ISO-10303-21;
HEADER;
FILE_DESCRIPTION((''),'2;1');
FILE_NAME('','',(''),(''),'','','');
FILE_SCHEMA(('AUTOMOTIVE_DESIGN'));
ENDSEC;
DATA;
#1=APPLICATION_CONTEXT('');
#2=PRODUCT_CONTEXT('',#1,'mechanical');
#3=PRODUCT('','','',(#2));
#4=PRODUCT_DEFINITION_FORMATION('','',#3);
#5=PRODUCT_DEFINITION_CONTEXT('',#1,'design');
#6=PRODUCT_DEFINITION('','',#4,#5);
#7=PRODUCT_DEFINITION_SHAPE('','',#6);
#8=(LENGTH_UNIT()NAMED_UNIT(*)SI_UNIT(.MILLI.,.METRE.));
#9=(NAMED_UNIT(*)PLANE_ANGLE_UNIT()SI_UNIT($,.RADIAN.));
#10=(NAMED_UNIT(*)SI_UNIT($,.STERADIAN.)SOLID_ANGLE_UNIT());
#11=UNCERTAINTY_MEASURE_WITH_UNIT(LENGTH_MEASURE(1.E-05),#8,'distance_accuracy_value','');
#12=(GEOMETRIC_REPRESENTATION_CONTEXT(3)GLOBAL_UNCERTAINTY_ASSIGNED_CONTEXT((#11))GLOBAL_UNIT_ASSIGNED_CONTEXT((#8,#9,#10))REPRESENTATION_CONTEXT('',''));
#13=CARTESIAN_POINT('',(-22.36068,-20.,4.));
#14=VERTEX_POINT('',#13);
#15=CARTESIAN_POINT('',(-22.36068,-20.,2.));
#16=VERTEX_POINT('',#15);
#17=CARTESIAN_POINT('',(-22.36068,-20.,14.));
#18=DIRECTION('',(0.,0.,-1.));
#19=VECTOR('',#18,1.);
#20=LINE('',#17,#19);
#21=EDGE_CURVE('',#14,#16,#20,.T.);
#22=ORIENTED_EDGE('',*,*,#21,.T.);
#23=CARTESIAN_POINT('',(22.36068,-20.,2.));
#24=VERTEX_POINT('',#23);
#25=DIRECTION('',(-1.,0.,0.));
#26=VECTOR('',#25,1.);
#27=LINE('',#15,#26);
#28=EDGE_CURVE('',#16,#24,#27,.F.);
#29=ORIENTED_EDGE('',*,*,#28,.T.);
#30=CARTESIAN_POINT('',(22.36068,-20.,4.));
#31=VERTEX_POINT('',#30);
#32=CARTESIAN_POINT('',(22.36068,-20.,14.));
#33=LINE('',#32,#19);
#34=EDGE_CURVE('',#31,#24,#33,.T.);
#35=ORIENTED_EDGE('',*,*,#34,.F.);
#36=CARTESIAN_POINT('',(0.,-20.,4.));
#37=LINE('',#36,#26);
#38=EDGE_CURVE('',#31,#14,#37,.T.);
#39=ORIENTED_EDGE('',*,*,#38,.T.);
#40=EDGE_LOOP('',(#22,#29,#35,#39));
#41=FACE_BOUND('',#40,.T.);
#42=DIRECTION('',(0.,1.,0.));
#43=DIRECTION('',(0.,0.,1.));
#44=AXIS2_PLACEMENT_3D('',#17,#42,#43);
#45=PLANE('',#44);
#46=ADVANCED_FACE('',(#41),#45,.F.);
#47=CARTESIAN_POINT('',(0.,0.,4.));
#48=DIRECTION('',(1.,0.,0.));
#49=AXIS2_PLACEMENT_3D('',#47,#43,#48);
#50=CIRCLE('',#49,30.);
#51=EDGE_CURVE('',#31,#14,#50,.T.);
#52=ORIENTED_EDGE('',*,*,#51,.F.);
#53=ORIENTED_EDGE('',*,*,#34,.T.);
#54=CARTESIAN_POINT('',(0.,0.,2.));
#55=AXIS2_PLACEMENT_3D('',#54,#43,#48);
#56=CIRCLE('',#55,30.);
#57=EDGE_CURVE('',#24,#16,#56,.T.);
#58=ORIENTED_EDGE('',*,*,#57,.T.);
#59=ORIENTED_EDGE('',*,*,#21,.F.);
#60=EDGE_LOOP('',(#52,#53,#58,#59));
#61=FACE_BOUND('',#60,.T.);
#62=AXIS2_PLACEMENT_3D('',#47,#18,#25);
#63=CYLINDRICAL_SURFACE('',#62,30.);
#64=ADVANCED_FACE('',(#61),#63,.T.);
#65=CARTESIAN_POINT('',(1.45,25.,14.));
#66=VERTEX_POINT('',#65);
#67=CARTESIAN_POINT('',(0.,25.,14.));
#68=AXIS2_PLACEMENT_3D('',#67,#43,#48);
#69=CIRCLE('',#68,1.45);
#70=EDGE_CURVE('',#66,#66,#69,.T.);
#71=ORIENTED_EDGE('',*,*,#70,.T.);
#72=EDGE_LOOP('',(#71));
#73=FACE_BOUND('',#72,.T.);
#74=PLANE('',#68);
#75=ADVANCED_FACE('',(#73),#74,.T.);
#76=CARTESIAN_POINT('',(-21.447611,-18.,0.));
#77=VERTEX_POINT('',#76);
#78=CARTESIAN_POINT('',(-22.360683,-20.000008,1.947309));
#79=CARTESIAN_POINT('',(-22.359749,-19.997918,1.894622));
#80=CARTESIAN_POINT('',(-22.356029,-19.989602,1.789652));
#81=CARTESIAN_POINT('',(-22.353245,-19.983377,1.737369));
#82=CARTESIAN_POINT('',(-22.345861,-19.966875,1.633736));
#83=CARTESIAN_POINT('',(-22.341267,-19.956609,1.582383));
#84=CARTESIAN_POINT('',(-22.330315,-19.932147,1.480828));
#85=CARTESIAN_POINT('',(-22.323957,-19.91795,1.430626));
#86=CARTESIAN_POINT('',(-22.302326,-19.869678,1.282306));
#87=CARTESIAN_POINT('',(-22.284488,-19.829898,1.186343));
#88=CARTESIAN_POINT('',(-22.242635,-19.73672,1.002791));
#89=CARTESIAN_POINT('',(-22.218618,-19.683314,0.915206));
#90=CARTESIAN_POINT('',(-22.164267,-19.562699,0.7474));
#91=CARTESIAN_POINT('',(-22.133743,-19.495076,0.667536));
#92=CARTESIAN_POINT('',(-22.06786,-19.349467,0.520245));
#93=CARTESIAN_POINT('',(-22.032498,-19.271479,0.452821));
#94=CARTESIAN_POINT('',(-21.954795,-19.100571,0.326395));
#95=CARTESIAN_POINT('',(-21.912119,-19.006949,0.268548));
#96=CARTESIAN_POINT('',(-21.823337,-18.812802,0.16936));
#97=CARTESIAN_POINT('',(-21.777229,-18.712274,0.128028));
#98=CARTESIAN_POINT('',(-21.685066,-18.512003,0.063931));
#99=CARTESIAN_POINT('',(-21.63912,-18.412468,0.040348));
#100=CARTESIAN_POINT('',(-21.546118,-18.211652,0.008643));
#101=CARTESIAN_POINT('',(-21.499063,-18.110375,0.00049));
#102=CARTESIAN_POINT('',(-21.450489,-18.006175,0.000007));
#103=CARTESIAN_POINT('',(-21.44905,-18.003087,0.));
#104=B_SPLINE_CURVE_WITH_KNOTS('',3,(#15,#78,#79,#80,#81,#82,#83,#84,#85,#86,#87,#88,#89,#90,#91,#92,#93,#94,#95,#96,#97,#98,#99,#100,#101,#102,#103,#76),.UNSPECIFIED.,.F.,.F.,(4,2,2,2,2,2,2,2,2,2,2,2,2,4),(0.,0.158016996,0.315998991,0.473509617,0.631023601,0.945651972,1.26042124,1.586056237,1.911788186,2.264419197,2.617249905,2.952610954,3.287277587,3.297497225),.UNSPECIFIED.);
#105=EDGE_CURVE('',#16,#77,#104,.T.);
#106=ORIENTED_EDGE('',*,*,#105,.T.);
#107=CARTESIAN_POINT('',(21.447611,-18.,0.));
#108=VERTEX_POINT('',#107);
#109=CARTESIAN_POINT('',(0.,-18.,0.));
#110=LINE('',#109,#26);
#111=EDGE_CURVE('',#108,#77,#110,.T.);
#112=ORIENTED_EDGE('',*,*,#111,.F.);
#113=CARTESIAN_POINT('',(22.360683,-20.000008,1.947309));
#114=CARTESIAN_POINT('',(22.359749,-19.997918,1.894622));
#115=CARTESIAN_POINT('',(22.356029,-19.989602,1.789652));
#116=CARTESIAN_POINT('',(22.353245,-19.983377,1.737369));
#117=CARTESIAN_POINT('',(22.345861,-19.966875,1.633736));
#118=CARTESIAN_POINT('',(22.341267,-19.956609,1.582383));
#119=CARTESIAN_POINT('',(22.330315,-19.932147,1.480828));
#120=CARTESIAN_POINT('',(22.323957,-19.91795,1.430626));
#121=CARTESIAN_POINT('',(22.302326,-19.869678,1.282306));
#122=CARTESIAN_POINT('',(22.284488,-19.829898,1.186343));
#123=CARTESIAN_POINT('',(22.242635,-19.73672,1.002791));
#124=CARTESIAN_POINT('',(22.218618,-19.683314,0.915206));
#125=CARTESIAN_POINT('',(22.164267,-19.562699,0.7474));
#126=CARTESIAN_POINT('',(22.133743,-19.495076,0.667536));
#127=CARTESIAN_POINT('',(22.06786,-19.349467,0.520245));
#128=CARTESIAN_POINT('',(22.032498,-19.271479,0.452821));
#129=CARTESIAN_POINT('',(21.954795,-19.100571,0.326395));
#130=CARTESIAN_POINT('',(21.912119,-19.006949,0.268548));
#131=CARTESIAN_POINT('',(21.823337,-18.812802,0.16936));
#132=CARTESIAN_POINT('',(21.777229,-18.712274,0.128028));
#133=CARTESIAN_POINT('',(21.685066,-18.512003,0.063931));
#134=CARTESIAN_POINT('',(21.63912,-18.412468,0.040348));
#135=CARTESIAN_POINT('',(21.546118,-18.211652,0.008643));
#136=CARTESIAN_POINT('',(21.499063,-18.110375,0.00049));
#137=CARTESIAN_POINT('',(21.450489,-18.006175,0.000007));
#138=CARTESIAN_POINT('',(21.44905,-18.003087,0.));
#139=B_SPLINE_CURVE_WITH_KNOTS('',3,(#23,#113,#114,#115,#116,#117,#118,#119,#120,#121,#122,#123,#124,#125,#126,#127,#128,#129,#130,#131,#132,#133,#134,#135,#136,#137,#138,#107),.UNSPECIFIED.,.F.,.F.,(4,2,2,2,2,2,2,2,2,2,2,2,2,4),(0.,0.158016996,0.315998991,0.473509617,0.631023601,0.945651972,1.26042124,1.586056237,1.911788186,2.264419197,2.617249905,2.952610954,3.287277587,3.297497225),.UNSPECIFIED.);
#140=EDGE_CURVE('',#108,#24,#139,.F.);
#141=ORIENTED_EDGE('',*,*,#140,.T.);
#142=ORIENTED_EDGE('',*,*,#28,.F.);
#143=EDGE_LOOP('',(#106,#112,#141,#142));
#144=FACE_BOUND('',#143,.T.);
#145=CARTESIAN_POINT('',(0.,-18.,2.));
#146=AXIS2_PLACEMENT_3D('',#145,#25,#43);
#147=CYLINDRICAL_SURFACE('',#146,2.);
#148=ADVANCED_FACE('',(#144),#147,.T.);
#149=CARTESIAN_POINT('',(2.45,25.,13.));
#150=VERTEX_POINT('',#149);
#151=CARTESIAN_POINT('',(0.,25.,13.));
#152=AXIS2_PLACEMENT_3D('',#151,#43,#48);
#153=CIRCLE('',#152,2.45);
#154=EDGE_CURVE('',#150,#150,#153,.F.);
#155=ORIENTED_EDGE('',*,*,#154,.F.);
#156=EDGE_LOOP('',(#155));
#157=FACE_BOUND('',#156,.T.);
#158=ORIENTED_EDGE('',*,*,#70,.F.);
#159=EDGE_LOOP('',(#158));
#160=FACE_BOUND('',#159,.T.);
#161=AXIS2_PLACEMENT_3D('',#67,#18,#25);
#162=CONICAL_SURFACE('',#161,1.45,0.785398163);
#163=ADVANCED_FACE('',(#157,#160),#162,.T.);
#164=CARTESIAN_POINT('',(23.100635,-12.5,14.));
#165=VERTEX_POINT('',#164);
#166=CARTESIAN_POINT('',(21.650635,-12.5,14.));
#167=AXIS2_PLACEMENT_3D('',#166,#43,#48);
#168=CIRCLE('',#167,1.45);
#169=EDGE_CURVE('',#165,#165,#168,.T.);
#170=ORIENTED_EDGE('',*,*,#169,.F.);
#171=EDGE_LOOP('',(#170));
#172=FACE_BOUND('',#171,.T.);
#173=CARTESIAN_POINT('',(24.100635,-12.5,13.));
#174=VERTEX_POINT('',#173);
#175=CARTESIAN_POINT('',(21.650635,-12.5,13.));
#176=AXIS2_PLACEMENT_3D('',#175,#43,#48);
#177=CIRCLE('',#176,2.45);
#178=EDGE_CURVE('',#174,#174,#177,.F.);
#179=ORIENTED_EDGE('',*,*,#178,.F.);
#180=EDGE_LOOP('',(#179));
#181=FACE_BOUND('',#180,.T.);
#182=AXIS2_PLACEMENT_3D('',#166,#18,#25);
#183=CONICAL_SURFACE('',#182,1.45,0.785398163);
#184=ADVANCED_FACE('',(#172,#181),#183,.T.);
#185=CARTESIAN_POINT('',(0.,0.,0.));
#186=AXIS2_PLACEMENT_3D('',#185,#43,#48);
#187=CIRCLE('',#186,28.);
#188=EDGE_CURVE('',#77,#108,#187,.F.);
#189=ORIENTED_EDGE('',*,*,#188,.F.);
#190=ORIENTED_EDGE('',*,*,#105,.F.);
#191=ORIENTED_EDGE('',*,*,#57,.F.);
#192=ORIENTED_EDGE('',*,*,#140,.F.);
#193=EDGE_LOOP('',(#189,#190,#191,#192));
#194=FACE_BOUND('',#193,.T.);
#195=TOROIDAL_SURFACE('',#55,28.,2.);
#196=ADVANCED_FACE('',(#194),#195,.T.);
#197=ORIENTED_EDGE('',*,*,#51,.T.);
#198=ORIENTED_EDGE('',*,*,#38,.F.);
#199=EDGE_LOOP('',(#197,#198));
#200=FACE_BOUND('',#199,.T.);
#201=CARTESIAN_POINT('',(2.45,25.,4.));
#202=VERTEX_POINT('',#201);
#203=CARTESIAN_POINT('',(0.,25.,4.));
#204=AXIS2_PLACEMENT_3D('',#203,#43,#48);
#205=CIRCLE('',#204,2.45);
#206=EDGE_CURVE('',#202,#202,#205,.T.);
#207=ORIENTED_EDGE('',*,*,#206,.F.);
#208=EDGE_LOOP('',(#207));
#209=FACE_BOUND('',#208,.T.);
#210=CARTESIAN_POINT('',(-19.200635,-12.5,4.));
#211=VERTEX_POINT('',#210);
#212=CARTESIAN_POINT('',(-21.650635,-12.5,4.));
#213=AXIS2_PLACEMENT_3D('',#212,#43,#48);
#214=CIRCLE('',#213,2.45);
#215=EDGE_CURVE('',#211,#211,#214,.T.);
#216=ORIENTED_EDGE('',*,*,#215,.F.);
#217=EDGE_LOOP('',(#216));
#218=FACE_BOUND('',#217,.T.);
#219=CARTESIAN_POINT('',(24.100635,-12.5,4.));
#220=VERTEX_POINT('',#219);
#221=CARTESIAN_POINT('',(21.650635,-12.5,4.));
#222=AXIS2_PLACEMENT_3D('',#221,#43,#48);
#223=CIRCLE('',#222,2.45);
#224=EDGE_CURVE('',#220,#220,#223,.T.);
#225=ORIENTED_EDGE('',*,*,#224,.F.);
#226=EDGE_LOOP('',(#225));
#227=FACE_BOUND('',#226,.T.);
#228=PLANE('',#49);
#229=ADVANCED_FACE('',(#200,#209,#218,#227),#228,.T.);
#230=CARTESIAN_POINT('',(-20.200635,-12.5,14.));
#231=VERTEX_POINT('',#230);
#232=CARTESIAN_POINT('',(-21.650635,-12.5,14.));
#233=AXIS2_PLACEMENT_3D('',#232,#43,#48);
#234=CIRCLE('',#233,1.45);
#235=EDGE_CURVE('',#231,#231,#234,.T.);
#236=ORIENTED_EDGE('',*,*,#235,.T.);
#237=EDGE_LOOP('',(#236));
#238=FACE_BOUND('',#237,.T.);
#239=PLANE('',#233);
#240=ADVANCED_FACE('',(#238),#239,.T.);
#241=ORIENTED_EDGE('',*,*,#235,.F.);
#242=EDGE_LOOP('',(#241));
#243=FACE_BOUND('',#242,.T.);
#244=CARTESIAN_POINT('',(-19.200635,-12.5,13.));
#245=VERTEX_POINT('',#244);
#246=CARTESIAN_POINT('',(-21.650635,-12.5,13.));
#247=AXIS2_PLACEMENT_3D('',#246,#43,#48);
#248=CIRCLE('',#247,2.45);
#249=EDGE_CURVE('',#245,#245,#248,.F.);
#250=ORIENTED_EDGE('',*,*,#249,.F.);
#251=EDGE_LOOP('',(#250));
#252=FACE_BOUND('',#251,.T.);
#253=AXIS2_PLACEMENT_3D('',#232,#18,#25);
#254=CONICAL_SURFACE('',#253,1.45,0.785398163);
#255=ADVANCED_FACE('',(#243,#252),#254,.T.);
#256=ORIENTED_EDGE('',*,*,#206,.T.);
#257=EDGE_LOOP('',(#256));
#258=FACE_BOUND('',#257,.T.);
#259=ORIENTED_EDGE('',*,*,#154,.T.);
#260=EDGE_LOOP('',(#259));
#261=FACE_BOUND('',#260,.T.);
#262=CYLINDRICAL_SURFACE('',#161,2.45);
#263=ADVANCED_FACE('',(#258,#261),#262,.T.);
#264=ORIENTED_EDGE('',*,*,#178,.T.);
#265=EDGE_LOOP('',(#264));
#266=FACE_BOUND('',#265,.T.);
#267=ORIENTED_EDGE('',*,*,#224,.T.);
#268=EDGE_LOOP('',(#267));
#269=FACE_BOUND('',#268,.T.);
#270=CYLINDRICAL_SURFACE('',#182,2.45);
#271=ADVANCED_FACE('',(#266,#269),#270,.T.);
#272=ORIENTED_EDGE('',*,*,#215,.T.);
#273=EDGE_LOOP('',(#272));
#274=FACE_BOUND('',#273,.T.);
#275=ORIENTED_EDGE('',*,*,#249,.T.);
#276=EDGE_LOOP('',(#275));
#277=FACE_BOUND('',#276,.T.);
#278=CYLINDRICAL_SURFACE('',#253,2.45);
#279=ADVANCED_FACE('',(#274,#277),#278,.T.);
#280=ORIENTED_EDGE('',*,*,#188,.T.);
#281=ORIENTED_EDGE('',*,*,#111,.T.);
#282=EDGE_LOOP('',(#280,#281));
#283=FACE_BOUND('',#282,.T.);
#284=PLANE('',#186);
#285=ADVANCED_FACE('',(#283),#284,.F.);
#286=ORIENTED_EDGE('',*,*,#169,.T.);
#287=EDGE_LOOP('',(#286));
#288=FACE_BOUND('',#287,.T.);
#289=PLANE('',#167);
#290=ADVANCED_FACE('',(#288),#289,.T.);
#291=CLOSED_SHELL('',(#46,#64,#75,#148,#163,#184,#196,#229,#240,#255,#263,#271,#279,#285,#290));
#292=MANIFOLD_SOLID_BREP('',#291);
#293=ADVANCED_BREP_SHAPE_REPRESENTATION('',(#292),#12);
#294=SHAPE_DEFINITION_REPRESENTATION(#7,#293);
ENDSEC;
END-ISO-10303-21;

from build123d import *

# Parameters (mm, degrees)
SKETCH_1_R               = 30
EXTRUDE_1_DEPTH          = 4
SKETCH_2_R               = 2.45
EXTRUDE_2_DEPTH          = 10
CUT_EXTRUDE_1_DEPTH      = 45.676615807
CUT_EXTRUDE_1_DEPTH_BACK = 45.676615807
FILLET_1_R               = 2
CHAMFER_1_SIZE           = 1


with BuildPart() as part:
    # 스케치1 → 보스-돌출1 (new body)
    with BuildSketch(Plane.XY):
        Circle(SKETCH_1_R)
    extrude(amount=EXTRUDE_1_DEPTH)

    # 스케치2 → 보스-돌출2 (add)
    with BuildSketch(Plane.XY.offset(4)):
        with Locations((0, 25)):
            Circle(SKETCH_2_R)
        with Locations((21.650635095, -12.5)):
            Circle(SKETCH_2_R)
        with Locations((-21.650635095, -12.5)):
            Circle(SKETCH_2_R)
    extrude(amount=EXTRUDE_2_DEPTH)

    # 스케치3 → 컷-돌출1 (cut, two sides: drawn at the far end of the back side and taken through both)
    with BuildSketch(Plane(origin=(0, 0, 0), x_dir=(-1, 0, 0), z_dir=(0, 0, -1)).offset(-CUT_EXTRUDE_1_DEPTH_BACK)):
        with BuildLine():
            Line((22.360679775, -20), (-22.360679775, -20))
            ThreePointArc((-22.360679775, -20), (0, -30), (22.360679775, -20))
        make_face()
    extrude(amount=CUT_EXTRUDE_1_DEPTH + CUT_EXTRUDE_1_DEPTH_BACK, mode=Mode.SUBTRACT)

    # 필렛1
    fillet_1_edges = [part.edges().sort_by_distance(p)[0] for p in [
        (0, 30, 0),
        (0, -20, 0),
    ]]
    fillet(fillet_1_edges, radius=FILLET_1_R)

    # 모따기1
    chamfer_1_edges = [part.edges().sort_by_distance(p)[0] for p in [
        (-24.100635095, -12.5, 14),
        (-2.45, 25, 14),
        (19.200635095, -12.5, 14),
    ]]
    chamfer(chamfer_1_edges, length=CHAMFER_1_SIZE)


solid = part.part
